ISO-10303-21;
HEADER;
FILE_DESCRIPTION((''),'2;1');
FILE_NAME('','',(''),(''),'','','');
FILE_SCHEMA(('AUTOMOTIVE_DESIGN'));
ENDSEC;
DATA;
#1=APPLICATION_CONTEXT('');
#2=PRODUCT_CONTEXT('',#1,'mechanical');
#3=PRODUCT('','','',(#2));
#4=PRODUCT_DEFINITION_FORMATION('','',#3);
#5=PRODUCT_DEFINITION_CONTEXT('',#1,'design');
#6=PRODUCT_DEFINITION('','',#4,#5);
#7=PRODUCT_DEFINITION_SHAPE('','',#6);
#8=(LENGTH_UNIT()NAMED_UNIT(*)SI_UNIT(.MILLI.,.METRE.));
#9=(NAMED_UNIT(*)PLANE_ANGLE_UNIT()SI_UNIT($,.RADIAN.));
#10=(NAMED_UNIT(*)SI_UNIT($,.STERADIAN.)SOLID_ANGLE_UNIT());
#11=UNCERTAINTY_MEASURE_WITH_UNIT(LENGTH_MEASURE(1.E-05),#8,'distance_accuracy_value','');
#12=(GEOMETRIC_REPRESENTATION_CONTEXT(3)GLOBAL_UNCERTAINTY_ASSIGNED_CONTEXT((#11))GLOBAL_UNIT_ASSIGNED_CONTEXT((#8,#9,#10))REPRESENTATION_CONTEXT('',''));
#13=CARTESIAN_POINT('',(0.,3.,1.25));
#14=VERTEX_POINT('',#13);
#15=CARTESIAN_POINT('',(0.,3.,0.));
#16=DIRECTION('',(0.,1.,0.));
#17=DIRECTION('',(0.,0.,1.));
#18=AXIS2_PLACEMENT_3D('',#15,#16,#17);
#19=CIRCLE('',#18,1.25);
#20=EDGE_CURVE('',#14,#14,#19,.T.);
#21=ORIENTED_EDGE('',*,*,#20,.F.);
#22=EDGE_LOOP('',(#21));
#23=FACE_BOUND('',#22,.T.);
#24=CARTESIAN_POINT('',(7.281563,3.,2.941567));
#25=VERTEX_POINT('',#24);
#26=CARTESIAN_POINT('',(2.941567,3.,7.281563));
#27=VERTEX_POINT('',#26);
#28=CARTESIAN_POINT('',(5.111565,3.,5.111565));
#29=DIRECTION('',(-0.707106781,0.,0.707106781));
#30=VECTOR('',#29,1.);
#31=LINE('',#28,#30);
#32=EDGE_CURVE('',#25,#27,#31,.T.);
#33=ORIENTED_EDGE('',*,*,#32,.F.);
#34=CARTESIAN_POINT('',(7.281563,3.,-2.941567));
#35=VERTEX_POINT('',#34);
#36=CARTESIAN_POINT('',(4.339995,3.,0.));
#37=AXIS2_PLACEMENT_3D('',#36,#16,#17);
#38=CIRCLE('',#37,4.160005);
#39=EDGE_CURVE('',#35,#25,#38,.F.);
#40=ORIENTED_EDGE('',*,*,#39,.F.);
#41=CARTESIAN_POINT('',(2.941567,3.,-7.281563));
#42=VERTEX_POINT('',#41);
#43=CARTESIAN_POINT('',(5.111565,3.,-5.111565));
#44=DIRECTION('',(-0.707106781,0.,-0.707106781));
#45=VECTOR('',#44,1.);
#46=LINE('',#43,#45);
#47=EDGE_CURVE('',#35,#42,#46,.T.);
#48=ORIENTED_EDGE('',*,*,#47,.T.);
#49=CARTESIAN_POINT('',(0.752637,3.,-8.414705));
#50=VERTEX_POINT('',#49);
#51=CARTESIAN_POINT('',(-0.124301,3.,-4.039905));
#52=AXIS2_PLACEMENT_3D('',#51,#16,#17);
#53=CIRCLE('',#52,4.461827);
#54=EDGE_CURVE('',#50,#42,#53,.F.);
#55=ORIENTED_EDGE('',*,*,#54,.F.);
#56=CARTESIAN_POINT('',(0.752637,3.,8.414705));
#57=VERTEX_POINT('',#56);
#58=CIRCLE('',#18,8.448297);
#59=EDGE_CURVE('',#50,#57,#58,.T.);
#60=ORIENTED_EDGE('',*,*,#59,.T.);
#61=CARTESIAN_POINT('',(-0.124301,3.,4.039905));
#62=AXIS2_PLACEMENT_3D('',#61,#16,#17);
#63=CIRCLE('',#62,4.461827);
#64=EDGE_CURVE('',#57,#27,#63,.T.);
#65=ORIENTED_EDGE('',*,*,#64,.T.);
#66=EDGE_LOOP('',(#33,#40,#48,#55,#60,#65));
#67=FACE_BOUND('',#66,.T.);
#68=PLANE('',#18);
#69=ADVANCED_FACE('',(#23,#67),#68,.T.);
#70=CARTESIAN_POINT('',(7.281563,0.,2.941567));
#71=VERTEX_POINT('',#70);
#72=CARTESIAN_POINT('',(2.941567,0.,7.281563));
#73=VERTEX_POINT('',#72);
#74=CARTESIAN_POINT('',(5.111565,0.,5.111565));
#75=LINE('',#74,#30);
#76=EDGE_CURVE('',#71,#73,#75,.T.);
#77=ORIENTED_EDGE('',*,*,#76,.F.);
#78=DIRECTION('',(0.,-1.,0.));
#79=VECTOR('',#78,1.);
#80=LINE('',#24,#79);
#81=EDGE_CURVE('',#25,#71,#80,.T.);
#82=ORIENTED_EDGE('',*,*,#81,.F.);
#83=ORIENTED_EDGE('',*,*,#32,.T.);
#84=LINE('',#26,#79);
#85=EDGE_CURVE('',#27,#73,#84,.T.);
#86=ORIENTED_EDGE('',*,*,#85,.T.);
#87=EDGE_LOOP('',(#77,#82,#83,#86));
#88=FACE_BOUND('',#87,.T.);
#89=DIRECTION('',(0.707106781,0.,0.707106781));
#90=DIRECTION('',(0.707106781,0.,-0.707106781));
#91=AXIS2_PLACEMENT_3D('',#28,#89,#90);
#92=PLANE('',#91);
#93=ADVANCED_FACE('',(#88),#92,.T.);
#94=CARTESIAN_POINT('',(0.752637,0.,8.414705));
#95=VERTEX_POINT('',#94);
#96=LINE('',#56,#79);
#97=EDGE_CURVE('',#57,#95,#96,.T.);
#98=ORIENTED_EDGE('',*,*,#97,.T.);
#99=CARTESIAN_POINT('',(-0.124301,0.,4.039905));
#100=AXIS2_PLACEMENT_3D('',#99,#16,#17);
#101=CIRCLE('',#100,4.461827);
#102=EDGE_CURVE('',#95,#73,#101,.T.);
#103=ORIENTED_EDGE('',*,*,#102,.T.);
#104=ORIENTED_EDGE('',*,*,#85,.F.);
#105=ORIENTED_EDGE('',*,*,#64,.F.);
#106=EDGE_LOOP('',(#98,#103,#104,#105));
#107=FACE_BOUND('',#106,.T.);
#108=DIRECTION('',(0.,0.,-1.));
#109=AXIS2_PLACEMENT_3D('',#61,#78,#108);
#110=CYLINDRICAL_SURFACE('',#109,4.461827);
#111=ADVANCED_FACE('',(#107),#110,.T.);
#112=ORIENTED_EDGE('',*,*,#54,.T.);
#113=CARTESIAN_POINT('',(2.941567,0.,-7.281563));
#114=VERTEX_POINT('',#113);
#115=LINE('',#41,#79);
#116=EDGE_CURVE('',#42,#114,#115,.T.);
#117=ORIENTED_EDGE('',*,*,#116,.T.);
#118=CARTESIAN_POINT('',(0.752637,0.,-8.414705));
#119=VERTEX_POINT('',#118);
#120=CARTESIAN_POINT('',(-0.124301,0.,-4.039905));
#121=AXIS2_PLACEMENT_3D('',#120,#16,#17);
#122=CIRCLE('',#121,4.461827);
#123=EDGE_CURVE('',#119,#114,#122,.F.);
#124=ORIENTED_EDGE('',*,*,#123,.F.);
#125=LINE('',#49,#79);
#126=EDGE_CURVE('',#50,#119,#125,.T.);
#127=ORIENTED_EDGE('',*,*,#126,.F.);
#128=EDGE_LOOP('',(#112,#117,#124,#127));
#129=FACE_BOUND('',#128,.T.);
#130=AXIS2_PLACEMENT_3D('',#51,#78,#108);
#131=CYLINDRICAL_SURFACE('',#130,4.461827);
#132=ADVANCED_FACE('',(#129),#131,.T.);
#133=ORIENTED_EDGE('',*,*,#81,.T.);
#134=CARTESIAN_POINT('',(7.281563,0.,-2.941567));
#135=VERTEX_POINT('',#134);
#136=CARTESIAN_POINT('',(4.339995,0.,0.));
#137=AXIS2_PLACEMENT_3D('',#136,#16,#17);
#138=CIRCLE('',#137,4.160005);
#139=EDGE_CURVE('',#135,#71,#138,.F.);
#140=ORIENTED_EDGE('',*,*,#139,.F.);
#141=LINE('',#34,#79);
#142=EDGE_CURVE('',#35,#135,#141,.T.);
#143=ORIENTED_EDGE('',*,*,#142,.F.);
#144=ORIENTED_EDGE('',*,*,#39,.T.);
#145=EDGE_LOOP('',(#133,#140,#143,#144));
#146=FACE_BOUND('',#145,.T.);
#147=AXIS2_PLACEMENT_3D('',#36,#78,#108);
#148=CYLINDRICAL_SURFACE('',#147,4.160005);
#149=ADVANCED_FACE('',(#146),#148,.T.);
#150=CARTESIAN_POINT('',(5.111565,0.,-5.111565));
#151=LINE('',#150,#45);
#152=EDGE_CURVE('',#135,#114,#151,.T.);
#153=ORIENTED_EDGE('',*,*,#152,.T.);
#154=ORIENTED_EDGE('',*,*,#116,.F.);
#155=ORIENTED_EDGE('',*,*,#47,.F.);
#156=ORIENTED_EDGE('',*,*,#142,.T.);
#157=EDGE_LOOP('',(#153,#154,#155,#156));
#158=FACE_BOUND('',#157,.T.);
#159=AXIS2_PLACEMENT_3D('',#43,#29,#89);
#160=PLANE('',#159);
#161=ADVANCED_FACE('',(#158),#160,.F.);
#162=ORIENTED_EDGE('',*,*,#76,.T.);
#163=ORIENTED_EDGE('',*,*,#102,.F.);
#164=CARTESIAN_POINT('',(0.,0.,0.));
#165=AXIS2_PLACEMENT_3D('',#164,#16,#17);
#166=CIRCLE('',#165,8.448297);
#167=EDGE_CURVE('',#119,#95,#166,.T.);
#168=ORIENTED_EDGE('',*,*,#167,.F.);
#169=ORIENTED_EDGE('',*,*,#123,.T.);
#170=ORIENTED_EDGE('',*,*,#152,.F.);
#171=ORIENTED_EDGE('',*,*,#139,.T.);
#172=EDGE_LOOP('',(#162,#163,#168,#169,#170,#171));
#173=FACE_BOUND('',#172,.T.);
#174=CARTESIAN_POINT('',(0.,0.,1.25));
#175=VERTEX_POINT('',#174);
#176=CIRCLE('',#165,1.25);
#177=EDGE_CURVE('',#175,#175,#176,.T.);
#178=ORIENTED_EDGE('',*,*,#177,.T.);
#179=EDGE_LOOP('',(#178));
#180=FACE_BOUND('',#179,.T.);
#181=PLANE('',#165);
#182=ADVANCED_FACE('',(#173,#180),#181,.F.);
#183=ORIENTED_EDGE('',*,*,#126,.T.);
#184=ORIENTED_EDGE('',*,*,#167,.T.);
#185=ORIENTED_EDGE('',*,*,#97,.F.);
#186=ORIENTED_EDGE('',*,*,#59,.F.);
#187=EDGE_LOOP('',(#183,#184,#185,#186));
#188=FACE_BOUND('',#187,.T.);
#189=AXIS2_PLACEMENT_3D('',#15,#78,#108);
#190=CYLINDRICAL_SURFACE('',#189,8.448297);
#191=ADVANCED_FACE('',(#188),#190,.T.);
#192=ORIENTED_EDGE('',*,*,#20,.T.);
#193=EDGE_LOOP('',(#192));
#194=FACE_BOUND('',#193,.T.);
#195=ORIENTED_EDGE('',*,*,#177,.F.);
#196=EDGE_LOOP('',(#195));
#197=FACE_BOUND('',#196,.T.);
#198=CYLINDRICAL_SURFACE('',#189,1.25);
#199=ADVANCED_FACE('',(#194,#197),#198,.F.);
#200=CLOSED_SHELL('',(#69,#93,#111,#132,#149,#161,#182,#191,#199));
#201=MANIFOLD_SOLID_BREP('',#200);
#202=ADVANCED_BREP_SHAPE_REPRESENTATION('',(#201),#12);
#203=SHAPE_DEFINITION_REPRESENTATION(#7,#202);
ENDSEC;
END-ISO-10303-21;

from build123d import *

# Parameters (mm, degrees)
SKETCH1_R           = 1.25
BOSS_EXTRUDE1_DEPTH = 3


with BuildPart() as part:
    # Sketch1 → Boss-Extrude1 (new body)
    with BuildSketch(Plane(origin=(0, 0, 0), x_dir=(1, 0, 0), z_dir=(0, 1, 0))):
        with BuildLine():
            ThreePointArc((0.75263713, 8.414705215), (-8.448297255, 0), (0.75263713, -8.414705215))
            ThreePointArc((0.75263713, -8.414705215), (1.926901999, -8.002285906), (2.941567446, -7.281562869))
            Line((2.941567446, -7.281562869), (7.281562869, -2.941567446))
            ThreePointArc((7.281562869, -2.941567446), (8.5, 0), (7.281562869, 2.941567446))
            Line((7.281562869, 2.941567446), (2.941567446, 7.281562869))
            ThreePointArc((2.941567446, 7.281562869), (1.926901999, 8.002285906), (0.75263713, 8.414705215))
        make_face()
        Circle(SKETCH1_R, mode=Mode.SUBTRACT)
    extrude(amount=BOSS_EXTRUDE1_DEPTH)


solid = part.part
